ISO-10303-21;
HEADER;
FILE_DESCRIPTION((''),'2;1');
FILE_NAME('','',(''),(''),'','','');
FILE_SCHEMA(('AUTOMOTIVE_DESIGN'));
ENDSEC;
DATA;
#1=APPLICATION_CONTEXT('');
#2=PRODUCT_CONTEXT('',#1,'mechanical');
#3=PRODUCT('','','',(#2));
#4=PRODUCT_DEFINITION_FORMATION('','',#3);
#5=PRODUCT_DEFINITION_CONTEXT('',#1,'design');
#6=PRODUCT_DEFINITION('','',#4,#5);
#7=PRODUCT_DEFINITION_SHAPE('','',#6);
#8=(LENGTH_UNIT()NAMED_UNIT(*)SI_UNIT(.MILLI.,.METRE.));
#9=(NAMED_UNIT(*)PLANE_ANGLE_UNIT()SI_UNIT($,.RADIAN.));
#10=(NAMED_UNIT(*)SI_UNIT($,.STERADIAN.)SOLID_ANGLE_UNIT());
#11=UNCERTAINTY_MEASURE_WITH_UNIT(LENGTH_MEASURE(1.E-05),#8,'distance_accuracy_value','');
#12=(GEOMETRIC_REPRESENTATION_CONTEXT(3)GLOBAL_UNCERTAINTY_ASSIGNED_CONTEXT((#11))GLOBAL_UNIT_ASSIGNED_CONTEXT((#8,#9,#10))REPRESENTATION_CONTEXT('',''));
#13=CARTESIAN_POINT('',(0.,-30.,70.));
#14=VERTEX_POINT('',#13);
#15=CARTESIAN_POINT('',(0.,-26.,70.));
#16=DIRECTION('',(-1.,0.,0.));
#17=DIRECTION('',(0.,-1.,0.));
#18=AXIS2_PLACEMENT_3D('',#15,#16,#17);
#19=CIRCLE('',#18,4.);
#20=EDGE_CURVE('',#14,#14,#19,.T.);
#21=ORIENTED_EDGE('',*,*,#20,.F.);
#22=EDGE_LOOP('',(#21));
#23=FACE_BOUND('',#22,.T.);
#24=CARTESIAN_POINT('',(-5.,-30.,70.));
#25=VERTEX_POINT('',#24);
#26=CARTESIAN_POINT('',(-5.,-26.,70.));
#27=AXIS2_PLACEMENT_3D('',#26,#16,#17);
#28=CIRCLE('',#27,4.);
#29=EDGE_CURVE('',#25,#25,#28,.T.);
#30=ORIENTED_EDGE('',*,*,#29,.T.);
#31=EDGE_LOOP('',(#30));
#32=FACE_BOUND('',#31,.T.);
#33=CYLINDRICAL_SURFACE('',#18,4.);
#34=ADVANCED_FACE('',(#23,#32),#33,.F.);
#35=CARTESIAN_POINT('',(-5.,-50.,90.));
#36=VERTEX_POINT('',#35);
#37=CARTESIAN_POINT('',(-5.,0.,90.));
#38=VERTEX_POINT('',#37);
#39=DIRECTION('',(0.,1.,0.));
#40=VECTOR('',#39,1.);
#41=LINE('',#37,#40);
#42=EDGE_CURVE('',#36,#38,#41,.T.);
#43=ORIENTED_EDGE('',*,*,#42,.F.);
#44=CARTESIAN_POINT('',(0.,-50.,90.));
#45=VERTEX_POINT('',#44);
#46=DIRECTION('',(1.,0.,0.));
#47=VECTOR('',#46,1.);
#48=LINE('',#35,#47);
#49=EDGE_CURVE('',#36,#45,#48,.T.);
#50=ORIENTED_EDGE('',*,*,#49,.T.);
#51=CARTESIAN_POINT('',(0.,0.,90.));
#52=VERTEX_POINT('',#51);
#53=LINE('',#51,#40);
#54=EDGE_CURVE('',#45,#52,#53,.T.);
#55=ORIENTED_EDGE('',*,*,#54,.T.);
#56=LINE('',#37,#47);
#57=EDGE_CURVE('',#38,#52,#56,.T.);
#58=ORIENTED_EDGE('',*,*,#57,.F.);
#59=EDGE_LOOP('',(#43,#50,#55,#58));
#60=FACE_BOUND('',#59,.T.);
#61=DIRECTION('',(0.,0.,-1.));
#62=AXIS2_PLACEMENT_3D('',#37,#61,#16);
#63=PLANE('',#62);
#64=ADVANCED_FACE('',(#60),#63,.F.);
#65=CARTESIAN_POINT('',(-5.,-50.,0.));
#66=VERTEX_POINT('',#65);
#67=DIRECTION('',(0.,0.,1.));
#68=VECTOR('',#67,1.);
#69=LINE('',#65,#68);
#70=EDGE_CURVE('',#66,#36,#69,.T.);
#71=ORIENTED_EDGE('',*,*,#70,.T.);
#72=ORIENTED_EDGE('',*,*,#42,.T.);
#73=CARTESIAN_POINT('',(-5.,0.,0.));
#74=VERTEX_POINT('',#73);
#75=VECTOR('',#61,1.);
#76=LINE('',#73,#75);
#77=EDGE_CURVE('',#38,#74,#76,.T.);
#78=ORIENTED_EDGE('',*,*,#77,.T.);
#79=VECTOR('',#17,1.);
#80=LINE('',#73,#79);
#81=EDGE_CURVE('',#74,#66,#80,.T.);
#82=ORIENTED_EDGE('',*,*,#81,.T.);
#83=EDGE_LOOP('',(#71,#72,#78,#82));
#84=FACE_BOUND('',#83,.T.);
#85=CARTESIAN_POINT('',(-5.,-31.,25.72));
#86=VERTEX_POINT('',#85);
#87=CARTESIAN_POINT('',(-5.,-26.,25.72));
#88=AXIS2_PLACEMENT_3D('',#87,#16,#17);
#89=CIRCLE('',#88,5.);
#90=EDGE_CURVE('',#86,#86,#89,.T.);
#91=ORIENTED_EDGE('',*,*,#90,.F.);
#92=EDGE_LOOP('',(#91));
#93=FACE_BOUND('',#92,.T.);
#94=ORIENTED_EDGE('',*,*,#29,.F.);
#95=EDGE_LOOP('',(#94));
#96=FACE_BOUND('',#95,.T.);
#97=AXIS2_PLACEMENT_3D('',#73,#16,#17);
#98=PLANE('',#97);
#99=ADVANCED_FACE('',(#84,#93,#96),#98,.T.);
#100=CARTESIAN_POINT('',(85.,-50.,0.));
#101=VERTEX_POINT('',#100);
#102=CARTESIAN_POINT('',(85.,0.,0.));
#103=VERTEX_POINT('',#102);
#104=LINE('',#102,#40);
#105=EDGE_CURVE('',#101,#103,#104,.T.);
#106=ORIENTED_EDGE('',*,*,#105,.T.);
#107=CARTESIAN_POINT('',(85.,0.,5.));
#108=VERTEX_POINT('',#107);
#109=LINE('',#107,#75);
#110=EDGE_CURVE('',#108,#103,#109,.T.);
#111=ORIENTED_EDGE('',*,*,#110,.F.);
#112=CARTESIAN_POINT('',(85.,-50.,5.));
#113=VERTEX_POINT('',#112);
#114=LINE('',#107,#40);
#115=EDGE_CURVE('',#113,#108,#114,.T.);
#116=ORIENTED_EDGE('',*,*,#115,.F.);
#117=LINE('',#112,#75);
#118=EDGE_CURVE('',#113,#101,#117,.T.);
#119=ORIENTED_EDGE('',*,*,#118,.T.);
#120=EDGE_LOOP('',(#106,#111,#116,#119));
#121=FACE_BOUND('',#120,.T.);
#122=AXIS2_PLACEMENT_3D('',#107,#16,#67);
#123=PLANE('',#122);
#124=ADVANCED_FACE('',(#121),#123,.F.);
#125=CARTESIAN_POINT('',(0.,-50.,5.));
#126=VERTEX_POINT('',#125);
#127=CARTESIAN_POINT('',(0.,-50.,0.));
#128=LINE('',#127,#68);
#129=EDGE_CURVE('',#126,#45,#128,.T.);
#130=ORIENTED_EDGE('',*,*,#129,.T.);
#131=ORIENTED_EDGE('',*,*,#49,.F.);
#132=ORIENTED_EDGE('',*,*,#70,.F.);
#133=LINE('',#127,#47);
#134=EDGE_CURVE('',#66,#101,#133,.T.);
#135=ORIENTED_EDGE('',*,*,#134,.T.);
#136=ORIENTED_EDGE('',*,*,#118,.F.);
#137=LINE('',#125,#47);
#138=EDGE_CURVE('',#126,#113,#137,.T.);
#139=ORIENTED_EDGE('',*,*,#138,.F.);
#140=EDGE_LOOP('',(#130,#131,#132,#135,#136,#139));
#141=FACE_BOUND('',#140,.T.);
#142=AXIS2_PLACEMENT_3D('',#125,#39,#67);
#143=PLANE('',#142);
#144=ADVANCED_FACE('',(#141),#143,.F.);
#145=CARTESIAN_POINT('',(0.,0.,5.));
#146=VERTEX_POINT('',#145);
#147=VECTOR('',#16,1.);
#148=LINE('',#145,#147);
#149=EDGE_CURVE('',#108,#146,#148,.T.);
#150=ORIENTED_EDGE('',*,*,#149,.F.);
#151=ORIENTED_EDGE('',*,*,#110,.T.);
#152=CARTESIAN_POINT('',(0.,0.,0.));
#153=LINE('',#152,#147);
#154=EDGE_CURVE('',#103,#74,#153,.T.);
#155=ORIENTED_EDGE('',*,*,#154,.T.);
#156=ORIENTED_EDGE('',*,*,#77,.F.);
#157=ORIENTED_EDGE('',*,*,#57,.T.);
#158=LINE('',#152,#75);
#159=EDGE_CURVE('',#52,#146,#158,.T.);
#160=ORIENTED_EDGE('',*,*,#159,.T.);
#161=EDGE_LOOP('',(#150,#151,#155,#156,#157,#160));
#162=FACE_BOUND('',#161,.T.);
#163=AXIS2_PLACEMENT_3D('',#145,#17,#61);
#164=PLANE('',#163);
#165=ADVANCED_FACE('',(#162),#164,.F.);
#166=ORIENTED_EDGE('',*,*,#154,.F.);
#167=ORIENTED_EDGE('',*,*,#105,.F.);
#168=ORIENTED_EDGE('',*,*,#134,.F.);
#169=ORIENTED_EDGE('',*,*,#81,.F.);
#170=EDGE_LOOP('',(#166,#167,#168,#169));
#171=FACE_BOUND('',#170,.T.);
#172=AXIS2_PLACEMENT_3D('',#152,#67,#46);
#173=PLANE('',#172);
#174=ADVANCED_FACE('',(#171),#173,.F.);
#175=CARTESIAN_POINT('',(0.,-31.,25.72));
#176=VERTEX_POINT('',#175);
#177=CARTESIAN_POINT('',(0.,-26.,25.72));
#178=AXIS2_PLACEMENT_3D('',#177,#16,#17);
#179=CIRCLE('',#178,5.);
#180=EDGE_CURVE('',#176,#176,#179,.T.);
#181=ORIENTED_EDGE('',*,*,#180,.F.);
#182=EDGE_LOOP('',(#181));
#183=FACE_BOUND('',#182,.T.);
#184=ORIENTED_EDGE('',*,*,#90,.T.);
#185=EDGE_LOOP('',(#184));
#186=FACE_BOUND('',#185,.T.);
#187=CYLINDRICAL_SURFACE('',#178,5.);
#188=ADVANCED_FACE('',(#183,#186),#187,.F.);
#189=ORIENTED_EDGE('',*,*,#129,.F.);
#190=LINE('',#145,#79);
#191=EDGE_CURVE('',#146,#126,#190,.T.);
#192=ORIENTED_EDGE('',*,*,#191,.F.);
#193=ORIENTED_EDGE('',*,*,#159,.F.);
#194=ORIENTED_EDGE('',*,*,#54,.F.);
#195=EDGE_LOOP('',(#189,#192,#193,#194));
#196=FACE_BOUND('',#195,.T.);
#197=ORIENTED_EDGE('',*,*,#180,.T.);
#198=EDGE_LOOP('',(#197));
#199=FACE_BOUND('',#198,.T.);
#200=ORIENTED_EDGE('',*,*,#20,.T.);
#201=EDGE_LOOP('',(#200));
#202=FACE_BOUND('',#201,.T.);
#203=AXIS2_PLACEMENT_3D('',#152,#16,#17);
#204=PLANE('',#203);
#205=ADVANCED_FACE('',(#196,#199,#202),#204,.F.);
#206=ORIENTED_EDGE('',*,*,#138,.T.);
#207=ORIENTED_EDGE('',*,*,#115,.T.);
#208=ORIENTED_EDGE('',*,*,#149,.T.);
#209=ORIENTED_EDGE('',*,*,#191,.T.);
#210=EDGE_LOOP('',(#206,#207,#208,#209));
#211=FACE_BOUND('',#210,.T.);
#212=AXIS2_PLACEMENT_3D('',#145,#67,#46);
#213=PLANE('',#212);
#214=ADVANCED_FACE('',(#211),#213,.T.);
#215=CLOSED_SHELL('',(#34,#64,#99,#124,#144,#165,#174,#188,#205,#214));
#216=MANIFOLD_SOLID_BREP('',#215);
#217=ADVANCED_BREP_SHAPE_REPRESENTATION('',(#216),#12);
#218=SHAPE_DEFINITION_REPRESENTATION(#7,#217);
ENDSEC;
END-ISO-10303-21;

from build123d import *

# Parameters (mm, degrees)
SKETCH1_W           = 85
SKETCH1_H           = 50
BOSS_EXTRUDE1_DEPTH = 5
SKETCH2_W           = 90
SKETCH2_H           = 50
BOSS_EXTRUDE2_DEPTH = 5
SKETCH3_R           = 4
SKETCH3_R_2         = 5
CUT_EXTRUDE1_DEPTH  = 5


with BuildPart() as part:
    # Sketch1 → Boss-Extrude1 (new body)
    with BuildSketch(Plane.XY):
        with Locations((42.5, -25)):
            Rectangle(SKETCH1_W, SKETCH1_H)
    extrude(amount=BOSS_EXTRUDE1_DEPTH)

    # Sketch2 → Boss-Extrude2 (add)
    with BuildSketch(Plane.ZY):
        with Locations((45, -25)):
            Rectangle(SKETCH2_W, SKETCH2_H)
    extrude(amount=BOSS_EXTRUDE2_DEPTH)

    # Sketch3 → Cut-Extrude1 (cut)
    with BuildSketch(Plane.ZY.offset(5)):
        with Locations(Location((70, -26, 0), (0, 0, 270))):
            Circle(SKETCH3_R)
        with Locations(Location((25.72, -26, 0), (0, 0, 270))):
            Circle(SKETCH3_R_2)
    extrude(amount=-CUT_EXTRUDE1_DEPTH, mode=Mode.SUBTRACT)


solid = part.part
